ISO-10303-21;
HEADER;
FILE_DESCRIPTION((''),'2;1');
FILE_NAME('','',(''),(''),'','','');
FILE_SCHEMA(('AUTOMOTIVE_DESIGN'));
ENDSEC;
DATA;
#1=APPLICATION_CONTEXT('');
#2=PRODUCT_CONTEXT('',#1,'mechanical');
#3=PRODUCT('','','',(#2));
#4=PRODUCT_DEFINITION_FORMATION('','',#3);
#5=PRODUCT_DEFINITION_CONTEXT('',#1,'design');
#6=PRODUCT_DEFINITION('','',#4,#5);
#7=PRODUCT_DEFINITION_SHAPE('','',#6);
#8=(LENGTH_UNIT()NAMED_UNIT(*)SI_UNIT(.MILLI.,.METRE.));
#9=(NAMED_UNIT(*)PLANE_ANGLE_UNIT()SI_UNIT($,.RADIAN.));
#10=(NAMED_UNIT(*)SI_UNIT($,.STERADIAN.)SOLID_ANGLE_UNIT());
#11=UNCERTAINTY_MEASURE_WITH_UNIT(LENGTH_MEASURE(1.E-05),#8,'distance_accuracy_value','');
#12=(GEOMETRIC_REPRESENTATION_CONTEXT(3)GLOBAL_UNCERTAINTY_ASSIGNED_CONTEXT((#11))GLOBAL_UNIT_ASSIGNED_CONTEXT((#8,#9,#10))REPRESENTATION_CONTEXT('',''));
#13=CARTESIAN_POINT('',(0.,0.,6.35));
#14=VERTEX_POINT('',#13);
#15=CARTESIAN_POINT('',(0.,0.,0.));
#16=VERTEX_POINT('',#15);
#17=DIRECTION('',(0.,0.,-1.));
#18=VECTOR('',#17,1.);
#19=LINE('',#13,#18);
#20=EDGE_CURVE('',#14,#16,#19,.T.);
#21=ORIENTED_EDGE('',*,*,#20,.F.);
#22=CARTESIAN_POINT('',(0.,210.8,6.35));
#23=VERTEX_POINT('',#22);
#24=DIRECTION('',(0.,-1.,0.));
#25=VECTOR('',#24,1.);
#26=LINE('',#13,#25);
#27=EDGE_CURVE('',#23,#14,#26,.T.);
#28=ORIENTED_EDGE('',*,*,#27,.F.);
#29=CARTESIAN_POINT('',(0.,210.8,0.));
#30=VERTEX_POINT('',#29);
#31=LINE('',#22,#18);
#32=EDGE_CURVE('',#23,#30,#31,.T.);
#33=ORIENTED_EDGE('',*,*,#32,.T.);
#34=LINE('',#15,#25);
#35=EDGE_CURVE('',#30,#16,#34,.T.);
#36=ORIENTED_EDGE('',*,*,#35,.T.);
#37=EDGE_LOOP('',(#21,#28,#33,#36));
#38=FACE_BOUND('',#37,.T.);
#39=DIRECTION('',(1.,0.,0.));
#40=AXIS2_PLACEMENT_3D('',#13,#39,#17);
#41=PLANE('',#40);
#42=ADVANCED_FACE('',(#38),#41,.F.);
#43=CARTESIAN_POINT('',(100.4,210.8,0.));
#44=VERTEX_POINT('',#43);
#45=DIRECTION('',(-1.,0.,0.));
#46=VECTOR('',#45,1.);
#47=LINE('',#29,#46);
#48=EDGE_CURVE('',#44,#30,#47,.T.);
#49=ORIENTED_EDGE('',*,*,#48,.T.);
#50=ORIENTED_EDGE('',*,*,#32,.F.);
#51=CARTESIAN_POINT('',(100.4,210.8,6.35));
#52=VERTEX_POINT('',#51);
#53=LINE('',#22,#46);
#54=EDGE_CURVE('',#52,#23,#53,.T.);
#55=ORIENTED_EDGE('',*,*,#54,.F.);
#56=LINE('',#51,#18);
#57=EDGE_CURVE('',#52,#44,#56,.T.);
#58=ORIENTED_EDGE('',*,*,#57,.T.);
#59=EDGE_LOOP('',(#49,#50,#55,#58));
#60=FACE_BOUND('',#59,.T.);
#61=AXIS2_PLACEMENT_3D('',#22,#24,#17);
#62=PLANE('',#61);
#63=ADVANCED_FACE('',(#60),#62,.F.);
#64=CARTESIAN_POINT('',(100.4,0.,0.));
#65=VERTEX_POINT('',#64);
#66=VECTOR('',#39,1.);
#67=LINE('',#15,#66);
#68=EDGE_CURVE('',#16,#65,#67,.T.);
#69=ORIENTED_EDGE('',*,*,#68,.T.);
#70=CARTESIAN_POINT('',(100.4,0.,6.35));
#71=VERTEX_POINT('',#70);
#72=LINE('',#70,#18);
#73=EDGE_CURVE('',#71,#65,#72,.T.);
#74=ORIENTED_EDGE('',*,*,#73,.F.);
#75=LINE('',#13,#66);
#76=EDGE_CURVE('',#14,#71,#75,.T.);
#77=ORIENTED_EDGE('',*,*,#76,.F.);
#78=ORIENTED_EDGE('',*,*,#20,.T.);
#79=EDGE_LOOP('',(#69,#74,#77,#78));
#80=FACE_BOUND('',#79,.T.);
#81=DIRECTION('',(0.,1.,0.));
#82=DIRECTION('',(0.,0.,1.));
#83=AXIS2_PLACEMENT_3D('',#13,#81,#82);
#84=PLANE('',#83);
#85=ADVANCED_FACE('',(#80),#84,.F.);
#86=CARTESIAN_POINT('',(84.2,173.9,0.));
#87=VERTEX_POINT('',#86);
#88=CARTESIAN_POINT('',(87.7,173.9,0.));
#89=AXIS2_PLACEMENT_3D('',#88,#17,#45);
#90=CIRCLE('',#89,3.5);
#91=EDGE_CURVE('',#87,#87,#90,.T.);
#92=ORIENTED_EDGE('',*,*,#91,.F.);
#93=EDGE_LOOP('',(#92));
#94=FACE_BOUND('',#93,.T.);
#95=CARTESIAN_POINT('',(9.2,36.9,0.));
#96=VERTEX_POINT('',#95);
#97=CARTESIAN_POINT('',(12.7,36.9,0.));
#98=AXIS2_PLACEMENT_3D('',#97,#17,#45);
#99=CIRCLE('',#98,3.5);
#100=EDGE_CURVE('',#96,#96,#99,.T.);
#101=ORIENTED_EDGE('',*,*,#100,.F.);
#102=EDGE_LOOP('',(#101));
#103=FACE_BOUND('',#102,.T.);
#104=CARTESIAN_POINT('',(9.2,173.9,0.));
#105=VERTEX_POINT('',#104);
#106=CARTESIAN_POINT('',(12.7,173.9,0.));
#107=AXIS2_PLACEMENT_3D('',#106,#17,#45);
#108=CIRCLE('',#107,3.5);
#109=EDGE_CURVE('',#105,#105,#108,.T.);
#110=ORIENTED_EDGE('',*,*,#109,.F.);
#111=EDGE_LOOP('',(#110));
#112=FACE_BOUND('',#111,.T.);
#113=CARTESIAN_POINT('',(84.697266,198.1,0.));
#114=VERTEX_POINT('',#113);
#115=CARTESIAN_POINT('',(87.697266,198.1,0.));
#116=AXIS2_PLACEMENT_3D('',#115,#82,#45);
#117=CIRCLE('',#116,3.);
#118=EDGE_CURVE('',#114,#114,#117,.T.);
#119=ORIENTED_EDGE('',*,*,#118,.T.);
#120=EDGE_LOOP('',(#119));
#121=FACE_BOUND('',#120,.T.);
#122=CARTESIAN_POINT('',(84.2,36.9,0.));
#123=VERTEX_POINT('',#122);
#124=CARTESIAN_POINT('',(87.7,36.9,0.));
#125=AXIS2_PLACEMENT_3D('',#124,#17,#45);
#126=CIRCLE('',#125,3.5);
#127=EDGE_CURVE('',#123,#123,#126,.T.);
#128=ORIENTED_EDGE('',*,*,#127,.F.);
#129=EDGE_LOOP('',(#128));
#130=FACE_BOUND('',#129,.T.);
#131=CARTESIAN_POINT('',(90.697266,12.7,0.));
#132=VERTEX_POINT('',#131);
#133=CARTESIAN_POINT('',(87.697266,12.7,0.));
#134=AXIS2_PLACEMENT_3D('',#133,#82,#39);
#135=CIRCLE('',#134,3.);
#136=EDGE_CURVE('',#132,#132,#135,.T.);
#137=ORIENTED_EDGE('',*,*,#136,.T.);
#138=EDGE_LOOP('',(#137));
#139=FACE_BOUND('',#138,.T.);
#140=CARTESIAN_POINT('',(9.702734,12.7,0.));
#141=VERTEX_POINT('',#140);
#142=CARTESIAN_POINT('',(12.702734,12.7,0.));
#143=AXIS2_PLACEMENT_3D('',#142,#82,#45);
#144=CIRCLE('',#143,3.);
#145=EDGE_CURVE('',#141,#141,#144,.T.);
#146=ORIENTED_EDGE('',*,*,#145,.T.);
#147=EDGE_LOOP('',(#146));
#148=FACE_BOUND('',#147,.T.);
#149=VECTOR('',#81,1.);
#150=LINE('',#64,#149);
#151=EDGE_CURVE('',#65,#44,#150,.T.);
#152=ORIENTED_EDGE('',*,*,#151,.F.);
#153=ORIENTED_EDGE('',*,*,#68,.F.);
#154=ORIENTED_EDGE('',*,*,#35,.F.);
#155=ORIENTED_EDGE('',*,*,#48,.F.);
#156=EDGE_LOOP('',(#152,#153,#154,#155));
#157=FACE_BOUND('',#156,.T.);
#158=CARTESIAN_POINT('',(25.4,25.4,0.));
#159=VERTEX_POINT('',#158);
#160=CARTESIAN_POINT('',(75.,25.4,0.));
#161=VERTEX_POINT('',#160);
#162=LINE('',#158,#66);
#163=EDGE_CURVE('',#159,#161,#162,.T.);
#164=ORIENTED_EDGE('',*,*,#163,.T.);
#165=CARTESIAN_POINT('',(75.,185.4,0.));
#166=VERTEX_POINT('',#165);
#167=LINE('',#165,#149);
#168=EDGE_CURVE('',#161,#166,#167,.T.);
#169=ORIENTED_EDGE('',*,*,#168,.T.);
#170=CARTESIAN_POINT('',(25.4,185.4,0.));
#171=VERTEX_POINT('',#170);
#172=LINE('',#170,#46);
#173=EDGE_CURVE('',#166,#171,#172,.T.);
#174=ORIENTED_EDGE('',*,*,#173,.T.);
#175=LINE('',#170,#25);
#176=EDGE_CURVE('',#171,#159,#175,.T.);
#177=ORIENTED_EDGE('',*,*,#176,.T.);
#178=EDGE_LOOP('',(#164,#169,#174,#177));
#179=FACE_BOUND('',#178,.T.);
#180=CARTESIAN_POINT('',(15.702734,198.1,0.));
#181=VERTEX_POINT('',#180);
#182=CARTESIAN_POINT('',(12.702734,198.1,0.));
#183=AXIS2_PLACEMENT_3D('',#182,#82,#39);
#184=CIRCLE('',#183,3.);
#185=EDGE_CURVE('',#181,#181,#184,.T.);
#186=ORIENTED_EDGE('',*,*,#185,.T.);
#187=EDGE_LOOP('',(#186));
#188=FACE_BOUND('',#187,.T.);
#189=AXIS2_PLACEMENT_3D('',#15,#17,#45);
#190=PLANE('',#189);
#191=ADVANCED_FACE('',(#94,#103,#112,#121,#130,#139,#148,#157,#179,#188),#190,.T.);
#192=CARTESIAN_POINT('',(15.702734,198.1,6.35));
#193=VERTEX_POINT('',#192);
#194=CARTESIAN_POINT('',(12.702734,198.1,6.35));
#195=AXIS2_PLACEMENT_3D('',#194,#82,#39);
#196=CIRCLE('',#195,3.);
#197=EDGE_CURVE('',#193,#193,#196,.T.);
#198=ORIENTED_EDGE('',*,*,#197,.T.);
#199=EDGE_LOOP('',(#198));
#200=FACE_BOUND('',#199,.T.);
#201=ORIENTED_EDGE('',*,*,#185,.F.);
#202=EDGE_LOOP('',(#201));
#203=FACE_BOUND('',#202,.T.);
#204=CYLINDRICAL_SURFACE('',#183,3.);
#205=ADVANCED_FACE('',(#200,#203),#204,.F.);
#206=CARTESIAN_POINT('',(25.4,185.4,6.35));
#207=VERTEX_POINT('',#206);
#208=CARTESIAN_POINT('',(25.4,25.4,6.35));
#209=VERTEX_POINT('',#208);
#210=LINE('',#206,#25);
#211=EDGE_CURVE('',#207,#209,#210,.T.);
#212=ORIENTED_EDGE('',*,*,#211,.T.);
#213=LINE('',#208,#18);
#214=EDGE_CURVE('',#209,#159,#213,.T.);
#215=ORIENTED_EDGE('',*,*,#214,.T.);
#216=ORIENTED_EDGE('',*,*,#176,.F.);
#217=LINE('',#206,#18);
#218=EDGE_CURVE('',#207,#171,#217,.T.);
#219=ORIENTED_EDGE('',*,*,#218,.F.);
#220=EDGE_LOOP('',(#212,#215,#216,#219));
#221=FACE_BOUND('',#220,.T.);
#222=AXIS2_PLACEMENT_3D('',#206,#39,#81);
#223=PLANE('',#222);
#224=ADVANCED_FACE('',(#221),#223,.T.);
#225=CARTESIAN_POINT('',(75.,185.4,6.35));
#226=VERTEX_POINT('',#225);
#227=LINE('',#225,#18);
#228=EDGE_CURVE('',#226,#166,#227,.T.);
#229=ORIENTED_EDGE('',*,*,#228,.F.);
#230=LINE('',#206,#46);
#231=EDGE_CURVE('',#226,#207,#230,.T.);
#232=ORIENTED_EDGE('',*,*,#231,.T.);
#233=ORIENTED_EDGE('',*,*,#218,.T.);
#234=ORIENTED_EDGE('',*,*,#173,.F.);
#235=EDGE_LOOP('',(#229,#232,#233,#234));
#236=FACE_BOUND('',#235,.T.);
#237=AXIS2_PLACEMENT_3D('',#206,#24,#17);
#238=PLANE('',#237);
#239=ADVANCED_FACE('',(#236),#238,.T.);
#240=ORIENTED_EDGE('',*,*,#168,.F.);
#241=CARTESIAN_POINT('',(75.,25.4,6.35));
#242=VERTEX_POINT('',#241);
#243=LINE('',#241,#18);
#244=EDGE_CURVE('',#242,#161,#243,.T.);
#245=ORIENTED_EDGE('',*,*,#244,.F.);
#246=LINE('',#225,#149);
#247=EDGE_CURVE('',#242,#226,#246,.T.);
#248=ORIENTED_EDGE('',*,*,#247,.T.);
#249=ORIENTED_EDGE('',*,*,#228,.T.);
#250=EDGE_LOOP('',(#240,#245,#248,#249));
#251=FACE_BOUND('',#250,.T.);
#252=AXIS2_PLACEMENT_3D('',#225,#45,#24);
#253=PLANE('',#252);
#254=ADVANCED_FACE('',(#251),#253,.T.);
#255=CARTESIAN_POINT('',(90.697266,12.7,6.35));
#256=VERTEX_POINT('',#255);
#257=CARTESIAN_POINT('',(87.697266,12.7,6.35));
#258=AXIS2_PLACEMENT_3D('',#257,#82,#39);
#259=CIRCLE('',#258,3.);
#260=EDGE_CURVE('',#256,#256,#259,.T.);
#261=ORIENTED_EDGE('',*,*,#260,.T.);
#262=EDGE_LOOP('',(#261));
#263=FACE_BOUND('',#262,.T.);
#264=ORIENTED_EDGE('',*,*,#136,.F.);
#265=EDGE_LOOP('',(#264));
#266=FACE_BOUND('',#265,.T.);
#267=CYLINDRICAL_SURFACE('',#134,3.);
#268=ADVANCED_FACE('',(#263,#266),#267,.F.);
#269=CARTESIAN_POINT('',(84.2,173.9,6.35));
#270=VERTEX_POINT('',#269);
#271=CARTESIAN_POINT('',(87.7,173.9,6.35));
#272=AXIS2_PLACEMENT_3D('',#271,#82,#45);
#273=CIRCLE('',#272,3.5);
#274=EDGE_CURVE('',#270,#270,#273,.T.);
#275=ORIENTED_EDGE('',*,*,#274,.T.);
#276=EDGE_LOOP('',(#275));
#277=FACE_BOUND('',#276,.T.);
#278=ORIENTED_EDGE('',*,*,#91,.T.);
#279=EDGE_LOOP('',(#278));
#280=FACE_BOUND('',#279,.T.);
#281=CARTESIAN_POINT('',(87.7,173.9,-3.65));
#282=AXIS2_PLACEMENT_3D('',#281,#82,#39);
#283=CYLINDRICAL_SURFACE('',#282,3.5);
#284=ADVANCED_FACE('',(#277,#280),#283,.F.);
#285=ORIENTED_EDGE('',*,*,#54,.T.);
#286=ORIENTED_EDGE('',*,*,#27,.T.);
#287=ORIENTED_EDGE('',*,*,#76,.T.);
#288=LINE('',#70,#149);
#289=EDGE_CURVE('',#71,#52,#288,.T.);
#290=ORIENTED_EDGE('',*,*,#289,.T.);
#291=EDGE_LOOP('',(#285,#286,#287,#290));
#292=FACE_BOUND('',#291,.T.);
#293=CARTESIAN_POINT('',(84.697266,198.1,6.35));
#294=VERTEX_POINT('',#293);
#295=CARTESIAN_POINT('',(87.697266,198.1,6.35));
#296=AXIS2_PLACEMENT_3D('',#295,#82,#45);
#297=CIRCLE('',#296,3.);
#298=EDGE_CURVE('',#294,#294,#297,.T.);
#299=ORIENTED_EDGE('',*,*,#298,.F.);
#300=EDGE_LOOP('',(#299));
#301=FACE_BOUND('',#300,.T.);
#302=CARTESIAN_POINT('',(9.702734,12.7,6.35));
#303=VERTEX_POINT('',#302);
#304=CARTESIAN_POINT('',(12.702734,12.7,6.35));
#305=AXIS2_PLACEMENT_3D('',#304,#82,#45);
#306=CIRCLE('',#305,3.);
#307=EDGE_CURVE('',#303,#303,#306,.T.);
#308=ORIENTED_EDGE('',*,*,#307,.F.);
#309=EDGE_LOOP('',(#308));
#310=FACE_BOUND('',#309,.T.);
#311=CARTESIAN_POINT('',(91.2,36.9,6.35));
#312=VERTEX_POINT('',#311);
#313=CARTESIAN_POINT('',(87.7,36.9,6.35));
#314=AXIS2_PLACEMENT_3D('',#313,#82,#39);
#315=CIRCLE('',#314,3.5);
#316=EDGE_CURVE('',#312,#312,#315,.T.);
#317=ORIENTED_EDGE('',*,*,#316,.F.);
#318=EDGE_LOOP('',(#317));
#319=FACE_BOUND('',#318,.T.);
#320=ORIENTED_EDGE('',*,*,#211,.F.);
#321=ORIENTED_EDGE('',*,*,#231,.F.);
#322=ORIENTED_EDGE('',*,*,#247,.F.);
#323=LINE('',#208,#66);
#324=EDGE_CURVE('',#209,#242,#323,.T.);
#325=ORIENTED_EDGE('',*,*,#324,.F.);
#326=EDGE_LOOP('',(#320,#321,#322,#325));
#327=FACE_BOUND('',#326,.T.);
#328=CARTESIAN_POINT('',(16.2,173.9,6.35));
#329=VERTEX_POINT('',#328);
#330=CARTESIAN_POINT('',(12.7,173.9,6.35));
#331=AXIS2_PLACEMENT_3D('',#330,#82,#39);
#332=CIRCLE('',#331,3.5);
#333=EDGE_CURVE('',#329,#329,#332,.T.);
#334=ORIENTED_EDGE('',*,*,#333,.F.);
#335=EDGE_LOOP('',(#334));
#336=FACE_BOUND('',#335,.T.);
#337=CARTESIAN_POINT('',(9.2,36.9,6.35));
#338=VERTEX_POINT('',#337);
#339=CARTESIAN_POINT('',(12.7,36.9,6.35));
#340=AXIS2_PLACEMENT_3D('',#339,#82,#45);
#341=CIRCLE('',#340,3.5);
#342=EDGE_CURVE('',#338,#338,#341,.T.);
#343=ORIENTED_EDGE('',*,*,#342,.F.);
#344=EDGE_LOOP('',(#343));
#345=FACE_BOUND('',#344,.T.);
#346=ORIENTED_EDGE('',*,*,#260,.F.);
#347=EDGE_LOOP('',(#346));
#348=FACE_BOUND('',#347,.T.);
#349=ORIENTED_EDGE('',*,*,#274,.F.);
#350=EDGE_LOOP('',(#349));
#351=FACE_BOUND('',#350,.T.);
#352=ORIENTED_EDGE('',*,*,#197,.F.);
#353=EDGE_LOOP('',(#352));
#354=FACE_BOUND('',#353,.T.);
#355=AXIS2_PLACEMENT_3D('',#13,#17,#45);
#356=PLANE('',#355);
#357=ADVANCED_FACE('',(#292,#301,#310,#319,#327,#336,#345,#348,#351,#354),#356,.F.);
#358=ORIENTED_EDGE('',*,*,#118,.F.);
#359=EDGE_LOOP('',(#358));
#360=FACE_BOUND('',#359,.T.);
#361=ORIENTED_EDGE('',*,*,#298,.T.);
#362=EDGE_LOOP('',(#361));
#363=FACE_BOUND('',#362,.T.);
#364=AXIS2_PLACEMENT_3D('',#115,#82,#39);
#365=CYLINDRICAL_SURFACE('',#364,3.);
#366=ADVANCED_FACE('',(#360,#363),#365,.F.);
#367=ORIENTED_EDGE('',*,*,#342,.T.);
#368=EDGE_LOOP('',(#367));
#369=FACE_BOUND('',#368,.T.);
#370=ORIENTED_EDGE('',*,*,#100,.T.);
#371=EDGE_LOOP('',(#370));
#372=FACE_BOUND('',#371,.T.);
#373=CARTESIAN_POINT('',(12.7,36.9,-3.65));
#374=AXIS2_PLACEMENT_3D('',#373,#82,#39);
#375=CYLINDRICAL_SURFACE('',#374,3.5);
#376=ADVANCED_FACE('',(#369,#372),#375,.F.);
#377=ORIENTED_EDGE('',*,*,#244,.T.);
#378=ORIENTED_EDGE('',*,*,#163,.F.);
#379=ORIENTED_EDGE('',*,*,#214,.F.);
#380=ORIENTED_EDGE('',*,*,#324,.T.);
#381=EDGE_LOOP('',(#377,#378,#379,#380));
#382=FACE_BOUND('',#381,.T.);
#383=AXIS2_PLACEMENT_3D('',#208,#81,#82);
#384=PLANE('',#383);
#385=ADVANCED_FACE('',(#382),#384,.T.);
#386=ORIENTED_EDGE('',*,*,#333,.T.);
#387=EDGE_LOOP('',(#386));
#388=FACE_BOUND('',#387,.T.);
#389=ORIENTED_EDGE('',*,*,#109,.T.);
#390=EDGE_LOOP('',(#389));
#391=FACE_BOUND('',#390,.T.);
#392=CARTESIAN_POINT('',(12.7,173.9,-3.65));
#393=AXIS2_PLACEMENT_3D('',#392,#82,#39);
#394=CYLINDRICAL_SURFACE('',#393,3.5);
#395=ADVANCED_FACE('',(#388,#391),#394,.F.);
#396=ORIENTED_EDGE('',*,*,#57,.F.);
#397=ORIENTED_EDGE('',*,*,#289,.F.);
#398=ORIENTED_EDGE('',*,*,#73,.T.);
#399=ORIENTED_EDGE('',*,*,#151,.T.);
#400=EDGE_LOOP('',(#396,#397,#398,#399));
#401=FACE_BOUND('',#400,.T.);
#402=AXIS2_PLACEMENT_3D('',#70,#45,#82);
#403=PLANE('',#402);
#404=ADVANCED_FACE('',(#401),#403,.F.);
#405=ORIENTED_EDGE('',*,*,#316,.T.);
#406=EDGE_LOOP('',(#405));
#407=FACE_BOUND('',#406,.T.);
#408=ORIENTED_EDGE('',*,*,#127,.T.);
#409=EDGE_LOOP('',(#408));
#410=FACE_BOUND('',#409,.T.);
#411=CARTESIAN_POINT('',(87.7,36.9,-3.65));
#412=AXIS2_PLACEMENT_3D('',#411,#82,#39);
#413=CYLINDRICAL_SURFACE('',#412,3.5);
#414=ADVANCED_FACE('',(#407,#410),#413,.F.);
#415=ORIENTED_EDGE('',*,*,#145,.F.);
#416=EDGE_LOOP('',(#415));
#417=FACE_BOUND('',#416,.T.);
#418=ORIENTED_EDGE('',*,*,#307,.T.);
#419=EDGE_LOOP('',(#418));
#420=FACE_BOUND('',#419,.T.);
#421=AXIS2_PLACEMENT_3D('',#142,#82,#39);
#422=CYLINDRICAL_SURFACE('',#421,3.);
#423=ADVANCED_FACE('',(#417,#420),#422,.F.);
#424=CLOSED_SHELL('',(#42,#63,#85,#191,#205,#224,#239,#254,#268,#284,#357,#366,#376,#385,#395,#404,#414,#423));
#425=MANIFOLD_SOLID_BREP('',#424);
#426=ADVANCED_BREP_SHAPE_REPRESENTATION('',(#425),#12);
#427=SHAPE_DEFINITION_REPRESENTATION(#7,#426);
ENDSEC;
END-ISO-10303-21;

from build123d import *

# Parameters (mm, degrees)
SKETCH1_W           = 100.4
SKETCH1_H           = 210.8
SKETCH1_W_2         = 49.6
SKETCH1_H_2         = 160
BOSS_EXTRUDE1_DEPTH = 6.35
SKETCH2_R           = 3
CUT_EXTRUDE1_DEPTH  = 6.35
SKETCH3_R           = 3.5
CUT_EXTRUDE2_DEPTH  = 10


with BuildPart() as part:
    # Sketch1 → Boss-Extrude1 (new body)
    with BuildSketch(Plane.XY):
        with Locations((50.2, 105.4)):
            Rectangle(SKETCH1_W, SKETCH1_H)
        with Locations((50.2, 105.4)):
            Rectangle(SKETCH1_W_2, SKETCH1_H_2, mode=Mode.SUBTRACT)
    extrude(amount=BOSS_EXTRUDE1_DEPTH)

    # Sketch2 → Cut-Extrude1 (cut)
    with BuildSketch(Plane.XY.offset(6.35)):
        with Locations((12.70273435, 198.1)):
            Circle(SKETCH2_R)
        with Locations((87.69726565, 198.1)):
            Circle(SKETCH2_R)
        with Locations((87.69726565, 12.7)):
            Circle(SKETCH2_R)
        with Locations((12.70273435, 12.7)):
            Circle(SKETCH2_R)
    extrude(amount=-CUT_EXTRUDE1_DEPTH, mode=Mode.SUBTRACT)

    # Sketch3 → Cut-Extrude2 (cut)
    with BuildSketch(Plane.XY.offset(6.35)):
        with Locations((12.7, 173.9)):
            Circle(SKETCH3_R)
        with Locations((87.7, 173.9)):
            Circle(SKETCH3_R)
        with Locations((87.7, 36.9)):
            Circle(SKETCH3_R)
        with Locations((12.7, 36.9)):
            Circle(SKETCH3_R)
    extrude(amount=-CUT_EXTRUDE2_DEPTH, mode=Mode.SUBTRACT)


solid = part.part
